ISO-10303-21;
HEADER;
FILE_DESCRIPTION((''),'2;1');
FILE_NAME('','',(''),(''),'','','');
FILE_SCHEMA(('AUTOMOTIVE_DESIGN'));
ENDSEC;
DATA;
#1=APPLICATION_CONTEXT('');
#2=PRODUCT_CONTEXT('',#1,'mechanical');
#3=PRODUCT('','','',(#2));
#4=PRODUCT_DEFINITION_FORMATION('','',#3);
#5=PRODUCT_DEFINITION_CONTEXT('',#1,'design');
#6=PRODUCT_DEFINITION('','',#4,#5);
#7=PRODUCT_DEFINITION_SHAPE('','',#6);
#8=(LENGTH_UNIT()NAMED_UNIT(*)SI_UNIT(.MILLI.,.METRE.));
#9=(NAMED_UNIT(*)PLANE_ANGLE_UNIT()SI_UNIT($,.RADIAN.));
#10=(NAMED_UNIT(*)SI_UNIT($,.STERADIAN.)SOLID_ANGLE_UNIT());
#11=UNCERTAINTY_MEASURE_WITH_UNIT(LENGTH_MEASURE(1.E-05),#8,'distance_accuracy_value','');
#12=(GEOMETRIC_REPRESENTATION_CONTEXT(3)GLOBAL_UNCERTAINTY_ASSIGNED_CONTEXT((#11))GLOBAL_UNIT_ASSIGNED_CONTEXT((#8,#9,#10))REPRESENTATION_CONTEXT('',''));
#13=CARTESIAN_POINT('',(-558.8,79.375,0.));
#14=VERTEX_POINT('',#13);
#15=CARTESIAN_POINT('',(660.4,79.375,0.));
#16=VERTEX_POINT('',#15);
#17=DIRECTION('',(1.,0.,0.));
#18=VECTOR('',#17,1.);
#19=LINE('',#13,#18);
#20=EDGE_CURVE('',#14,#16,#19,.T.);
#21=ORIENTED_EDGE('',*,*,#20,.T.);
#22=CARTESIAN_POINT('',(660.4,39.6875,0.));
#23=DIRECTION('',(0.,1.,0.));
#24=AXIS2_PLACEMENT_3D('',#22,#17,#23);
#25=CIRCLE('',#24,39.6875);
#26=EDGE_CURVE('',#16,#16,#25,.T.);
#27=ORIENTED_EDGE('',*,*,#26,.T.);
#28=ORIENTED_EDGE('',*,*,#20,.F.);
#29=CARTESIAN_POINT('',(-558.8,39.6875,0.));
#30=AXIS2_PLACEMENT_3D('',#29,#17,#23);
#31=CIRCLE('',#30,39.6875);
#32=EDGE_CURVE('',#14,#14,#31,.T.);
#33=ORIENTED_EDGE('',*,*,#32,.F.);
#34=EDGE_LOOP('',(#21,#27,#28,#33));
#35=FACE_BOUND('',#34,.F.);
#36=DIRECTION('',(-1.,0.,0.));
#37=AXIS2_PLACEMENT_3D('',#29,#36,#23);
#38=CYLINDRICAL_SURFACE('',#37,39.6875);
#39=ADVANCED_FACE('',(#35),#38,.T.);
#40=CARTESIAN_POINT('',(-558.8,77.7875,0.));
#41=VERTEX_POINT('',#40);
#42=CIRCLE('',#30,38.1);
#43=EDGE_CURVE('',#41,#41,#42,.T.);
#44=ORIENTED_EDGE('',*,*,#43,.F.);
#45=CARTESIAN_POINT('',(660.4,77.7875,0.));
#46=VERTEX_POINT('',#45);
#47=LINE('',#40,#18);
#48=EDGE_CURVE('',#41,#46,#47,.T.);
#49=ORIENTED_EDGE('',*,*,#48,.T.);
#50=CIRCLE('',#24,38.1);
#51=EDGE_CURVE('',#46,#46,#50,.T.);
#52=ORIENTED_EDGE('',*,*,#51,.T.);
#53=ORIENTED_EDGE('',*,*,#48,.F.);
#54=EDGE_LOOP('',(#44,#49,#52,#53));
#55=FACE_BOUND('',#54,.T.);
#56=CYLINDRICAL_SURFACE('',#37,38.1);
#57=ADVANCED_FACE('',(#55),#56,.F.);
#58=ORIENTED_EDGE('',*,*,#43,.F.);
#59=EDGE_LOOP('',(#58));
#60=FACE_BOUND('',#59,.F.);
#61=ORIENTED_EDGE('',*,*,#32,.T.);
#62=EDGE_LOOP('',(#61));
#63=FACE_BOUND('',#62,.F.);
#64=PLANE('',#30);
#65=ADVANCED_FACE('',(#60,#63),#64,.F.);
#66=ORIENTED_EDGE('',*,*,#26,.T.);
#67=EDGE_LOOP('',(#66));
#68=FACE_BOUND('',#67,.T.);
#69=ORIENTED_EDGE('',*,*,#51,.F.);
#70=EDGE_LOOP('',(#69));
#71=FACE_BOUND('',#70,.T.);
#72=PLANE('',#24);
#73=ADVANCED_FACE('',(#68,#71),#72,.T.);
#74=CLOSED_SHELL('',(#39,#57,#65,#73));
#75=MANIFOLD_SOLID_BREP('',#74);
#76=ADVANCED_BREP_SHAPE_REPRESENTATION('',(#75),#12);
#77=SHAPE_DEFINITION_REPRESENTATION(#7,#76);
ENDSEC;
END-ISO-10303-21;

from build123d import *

# Parameters (mm, degrees)
F2_R     = 39.6875
F2_R_2   = 38.1
F3_DEPTH = 1219.2


with BuildPart() as f3:
    # F2 (on plane+point) → F3 (new body)
    with BuildSketch(Plane.YZ.offset(-558.8)):
        with Locations((39.6875, 0)):
            Circle(F2_R)
        with Locations((39.6875, 0)):
            Circle(F2_R_2, mode=Mode.SUBTRACT)
    extrude(amount=F3_DEPTH)


solid = f3.part
